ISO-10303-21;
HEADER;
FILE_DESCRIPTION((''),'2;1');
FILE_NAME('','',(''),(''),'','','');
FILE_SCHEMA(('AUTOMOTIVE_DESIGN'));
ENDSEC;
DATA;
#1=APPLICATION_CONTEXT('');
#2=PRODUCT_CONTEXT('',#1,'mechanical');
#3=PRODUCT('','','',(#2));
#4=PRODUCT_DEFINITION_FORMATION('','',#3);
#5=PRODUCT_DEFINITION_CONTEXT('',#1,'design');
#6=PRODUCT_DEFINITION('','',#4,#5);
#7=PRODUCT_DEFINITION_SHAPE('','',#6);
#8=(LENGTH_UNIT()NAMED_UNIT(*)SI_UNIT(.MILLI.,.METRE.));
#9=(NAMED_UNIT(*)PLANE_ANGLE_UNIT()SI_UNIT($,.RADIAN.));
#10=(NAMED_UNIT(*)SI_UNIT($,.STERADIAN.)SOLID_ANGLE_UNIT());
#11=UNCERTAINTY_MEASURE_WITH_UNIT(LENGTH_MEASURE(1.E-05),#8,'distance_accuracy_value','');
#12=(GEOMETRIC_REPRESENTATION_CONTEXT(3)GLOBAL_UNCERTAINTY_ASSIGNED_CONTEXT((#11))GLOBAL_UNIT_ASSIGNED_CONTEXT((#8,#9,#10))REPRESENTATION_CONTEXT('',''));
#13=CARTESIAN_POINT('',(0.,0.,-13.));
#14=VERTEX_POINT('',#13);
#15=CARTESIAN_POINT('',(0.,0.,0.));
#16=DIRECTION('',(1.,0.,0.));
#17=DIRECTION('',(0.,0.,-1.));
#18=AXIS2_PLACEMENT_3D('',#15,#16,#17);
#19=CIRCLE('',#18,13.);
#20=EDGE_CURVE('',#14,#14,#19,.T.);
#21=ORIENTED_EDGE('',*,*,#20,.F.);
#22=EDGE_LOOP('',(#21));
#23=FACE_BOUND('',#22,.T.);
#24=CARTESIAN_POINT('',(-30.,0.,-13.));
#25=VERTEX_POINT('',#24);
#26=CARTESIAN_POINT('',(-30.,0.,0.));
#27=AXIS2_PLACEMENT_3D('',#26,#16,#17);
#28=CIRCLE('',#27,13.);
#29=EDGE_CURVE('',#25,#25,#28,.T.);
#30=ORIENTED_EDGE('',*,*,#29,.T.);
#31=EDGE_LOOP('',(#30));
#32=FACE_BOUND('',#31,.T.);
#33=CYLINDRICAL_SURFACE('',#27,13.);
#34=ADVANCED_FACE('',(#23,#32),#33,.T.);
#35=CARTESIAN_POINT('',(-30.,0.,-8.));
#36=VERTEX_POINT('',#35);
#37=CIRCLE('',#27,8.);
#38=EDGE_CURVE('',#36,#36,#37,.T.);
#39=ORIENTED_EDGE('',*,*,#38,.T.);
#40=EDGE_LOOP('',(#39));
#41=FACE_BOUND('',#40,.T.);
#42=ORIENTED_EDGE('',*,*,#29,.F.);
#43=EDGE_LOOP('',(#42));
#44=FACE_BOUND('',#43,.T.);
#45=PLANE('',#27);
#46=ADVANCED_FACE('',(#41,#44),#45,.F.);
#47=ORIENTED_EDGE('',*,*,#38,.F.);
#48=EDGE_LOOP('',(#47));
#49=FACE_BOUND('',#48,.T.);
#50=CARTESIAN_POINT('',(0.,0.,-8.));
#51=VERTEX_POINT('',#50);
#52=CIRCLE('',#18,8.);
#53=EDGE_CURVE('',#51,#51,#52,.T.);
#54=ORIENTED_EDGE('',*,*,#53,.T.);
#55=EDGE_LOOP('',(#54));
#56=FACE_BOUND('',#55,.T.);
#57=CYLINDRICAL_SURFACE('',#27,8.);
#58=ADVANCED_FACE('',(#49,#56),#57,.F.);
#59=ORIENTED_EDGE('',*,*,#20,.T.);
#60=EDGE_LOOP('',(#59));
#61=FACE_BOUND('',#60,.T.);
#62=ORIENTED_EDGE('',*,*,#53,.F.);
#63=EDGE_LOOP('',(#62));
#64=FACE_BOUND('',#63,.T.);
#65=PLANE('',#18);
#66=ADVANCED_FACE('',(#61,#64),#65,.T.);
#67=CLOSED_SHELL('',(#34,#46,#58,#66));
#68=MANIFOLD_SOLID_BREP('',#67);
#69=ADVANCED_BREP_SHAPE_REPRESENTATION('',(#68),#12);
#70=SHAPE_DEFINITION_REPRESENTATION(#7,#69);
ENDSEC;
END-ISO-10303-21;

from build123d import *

# Parameters (mm, degrees)
SKETCH_1_R      = 13
SKETCH_1_R_2    = 8
EXTRUDE_1_DEPTH = 30


with BuildPart() as part:
    # 草图1 → 凸台-拉伸1 (new body)
    with BuildSketch(Plane(origin=(0, 0, 0), x_dir=(0, 0, -1), z_dir=(1, 0, 0))):
        Circle(SKETCH_1_R)
        Circle(SKETCH_1_R_2, mode=Mode.SUBTRACT)
    extrude(amount=-EXTRUDE_1_DEPTH)


solid = part.part
